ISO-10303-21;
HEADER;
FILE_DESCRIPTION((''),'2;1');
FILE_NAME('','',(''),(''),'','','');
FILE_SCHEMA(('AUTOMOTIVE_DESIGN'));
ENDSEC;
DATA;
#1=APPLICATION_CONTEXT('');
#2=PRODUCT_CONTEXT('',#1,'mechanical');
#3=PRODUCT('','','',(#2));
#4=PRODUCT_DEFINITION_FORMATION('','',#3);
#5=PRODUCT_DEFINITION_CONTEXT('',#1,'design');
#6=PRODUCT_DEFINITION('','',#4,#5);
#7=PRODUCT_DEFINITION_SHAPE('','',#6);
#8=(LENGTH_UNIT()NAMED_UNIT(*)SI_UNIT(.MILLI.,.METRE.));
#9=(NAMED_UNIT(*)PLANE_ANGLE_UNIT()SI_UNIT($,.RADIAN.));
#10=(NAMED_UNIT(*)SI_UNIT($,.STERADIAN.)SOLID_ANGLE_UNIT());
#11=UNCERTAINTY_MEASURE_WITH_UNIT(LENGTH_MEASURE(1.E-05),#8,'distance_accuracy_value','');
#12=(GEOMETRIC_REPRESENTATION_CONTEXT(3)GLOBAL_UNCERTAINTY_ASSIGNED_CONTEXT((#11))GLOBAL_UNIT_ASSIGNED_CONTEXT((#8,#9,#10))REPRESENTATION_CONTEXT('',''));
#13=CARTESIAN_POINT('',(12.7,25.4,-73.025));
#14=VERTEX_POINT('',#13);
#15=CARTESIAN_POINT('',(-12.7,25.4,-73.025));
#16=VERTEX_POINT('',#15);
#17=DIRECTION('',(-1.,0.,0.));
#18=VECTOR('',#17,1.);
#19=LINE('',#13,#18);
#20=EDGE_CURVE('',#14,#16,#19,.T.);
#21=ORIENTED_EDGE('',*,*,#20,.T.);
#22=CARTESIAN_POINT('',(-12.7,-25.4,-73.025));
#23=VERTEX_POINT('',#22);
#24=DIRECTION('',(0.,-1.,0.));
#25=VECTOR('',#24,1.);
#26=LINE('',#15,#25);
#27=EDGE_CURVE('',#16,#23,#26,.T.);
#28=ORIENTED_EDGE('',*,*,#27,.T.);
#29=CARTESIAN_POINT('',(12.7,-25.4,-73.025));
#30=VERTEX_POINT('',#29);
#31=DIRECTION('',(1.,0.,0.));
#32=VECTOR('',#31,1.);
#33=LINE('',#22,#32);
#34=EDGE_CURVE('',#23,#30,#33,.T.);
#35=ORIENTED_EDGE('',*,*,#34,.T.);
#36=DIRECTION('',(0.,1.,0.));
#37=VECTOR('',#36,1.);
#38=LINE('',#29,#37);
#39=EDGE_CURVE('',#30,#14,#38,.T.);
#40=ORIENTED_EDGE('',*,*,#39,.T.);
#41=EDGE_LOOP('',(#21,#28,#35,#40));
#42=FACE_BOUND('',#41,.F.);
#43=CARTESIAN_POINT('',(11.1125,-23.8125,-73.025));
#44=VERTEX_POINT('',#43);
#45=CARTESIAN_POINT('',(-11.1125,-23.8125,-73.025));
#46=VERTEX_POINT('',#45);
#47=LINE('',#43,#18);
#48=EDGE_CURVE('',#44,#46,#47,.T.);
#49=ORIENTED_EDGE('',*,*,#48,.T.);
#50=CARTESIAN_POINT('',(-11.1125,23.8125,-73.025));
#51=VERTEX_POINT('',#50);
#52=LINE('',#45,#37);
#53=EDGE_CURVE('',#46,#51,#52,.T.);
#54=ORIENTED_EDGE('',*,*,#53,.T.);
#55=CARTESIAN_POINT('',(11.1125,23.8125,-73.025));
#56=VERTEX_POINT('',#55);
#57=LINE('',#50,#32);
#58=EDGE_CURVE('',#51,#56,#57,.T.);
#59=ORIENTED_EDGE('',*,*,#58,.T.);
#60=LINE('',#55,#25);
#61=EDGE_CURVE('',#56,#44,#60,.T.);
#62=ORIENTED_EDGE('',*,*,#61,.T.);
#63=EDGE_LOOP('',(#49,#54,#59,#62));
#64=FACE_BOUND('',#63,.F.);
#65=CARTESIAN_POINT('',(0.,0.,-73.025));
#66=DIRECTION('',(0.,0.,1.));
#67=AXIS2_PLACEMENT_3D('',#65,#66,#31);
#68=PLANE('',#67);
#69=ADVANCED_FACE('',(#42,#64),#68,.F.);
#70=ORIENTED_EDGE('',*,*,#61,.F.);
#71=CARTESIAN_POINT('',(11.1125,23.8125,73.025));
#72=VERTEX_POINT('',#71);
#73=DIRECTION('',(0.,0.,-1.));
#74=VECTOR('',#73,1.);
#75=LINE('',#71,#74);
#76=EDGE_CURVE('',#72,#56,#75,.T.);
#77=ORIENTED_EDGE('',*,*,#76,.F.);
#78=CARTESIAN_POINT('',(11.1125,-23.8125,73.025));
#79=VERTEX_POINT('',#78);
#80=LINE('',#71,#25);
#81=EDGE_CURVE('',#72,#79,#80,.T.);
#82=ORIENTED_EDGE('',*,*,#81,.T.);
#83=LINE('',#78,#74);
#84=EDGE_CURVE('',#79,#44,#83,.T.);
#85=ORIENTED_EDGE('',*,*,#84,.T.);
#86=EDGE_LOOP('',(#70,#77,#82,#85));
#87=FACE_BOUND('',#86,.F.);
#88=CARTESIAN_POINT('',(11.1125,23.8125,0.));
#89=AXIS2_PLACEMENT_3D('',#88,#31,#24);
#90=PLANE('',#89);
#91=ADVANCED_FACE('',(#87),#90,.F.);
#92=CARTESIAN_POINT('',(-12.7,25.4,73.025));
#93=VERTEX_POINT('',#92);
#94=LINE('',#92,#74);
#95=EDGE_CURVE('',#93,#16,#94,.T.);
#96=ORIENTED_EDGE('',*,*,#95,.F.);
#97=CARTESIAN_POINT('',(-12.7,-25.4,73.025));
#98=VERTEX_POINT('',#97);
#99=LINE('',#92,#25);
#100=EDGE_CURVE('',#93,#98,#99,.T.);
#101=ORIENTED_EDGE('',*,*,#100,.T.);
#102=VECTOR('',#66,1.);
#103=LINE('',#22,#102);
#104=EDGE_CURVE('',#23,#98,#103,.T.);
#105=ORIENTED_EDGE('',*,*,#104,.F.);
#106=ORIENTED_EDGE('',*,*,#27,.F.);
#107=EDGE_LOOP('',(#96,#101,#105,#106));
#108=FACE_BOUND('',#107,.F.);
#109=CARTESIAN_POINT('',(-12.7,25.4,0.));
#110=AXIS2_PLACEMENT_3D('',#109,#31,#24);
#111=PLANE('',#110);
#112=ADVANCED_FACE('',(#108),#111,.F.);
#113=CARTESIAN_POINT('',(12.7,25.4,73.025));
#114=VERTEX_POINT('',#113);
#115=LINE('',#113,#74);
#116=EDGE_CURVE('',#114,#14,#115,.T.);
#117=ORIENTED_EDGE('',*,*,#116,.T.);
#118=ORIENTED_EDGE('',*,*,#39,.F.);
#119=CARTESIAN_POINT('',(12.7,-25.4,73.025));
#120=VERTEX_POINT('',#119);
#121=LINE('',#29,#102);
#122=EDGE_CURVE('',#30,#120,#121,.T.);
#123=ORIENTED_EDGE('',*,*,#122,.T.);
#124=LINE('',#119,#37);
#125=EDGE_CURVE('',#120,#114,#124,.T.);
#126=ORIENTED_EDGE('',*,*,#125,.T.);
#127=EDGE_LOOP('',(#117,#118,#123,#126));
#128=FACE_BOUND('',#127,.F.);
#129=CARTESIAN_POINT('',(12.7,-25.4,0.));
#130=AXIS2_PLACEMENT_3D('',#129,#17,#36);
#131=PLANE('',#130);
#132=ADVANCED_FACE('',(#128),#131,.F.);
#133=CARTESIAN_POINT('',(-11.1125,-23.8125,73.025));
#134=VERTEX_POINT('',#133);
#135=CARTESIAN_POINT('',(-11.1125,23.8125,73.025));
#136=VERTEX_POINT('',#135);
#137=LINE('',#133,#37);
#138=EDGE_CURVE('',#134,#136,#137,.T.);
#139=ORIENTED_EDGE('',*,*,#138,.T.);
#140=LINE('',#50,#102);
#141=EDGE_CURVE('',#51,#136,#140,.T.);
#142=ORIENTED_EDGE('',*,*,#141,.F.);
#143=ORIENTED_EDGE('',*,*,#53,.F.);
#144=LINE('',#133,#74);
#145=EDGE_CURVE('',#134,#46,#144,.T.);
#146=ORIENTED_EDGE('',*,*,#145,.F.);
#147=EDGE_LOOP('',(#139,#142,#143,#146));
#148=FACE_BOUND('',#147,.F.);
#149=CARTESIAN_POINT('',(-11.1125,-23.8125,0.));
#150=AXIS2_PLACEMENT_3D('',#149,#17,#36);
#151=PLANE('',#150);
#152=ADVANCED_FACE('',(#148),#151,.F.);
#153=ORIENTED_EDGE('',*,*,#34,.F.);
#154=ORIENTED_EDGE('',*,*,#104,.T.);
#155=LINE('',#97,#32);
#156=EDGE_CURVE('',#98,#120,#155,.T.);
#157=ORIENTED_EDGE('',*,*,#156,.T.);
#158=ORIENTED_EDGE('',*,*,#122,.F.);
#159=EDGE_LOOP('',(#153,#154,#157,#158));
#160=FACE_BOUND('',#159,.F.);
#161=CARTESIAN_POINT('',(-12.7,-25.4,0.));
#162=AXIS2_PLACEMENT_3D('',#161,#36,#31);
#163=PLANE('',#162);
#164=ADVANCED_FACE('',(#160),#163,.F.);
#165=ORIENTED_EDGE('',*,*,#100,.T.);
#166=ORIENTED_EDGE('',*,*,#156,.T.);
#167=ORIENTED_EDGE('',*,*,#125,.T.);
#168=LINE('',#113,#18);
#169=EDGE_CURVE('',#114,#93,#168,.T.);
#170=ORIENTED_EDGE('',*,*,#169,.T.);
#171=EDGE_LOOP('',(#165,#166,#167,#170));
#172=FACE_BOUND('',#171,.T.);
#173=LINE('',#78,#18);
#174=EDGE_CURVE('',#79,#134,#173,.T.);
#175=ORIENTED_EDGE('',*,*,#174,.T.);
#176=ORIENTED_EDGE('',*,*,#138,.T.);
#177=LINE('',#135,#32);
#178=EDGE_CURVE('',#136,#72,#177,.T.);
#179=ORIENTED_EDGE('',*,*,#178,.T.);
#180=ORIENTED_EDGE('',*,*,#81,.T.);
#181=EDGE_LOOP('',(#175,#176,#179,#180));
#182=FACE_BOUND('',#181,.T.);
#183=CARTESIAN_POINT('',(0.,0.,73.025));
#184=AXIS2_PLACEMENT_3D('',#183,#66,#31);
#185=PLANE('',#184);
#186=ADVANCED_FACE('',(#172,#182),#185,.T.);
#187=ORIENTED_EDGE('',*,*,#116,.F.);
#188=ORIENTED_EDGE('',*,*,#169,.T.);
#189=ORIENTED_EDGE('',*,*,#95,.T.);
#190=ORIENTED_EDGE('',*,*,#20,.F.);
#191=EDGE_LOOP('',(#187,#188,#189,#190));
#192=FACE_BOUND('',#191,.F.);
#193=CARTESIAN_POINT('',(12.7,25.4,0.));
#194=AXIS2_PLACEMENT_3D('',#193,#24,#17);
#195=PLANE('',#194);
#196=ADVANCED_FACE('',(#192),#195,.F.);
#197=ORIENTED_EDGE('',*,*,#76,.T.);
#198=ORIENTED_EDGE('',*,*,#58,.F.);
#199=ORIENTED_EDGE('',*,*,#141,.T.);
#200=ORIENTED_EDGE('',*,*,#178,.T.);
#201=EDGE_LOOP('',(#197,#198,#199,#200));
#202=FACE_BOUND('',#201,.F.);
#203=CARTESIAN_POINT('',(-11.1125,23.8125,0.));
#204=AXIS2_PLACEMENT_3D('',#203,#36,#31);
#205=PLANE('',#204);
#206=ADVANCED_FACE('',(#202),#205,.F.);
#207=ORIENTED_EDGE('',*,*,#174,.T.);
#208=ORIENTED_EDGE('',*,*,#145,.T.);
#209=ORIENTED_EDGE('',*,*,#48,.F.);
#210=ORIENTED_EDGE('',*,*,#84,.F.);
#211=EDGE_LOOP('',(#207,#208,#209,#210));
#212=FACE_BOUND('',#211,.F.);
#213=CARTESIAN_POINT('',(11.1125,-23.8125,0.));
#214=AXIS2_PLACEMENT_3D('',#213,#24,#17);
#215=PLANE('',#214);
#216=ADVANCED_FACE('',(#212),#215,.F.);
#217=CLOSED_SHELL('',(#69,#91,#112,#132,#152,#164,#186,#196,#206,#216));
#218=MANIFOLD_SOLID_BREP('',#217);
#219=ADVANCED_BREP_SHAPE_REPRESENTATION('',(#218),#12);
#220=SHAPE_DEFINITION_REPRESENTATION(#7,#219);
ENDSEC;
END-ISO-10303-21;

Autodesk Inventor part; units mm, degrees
ref_plane "YZ Plane" through (0, 0, 0) normal (1, 0, 0) x (0, 1, 0)
ref_plane "XZ Plane" through (0, 0, 0) normal (0, 1, 0) x (-1, 0, 0)
ref_plane "XY Plane" through (0, 0, 0) normal (0, 0, 1) x (1, 0, 0)
sketch "Sketch1" plane through (0, 0, 0) normal (0, 0, 1) x (1, 0, 0)
  line L0 (-12.7, -25.4) -> (12.7, -25.4)
  line L1 (12.7, -25.4) -> (12.7, 25.4)
  line L2 (12.7, 25.4) -> (-12.7, 25.4)
  line L3 (-12.7, 25.4) -> (-12.7, -25.4)
  line L4 (-12.7, -25.4) -> (12.7, 25.4) construction
  line L5 (12.7, -25.4) -> (-12.7, 25.4) construction
  line L6 (-11.1125, 23.8125) -> (11.1125, 23.8125)
  line L7 (11.1125, 23.8125) -> (11.1125, -23.8125)
  line L8 (11.1125, -23.8125) -> (-11.1125, -23.8125)
  line L9 (-11.1125, -23.8125) -> (-11.1125, 23.8125)
  point P0 (0, 0)
  dimension "width" = 25.4
  dimension "height" = 50.8
  dimension "thickness" = 1.5875
extrude "Extrusion1" add sketch "Sketch1" along normal mid plane 146.05
properties part number "CL3-007" material "Aluminum 6061"
